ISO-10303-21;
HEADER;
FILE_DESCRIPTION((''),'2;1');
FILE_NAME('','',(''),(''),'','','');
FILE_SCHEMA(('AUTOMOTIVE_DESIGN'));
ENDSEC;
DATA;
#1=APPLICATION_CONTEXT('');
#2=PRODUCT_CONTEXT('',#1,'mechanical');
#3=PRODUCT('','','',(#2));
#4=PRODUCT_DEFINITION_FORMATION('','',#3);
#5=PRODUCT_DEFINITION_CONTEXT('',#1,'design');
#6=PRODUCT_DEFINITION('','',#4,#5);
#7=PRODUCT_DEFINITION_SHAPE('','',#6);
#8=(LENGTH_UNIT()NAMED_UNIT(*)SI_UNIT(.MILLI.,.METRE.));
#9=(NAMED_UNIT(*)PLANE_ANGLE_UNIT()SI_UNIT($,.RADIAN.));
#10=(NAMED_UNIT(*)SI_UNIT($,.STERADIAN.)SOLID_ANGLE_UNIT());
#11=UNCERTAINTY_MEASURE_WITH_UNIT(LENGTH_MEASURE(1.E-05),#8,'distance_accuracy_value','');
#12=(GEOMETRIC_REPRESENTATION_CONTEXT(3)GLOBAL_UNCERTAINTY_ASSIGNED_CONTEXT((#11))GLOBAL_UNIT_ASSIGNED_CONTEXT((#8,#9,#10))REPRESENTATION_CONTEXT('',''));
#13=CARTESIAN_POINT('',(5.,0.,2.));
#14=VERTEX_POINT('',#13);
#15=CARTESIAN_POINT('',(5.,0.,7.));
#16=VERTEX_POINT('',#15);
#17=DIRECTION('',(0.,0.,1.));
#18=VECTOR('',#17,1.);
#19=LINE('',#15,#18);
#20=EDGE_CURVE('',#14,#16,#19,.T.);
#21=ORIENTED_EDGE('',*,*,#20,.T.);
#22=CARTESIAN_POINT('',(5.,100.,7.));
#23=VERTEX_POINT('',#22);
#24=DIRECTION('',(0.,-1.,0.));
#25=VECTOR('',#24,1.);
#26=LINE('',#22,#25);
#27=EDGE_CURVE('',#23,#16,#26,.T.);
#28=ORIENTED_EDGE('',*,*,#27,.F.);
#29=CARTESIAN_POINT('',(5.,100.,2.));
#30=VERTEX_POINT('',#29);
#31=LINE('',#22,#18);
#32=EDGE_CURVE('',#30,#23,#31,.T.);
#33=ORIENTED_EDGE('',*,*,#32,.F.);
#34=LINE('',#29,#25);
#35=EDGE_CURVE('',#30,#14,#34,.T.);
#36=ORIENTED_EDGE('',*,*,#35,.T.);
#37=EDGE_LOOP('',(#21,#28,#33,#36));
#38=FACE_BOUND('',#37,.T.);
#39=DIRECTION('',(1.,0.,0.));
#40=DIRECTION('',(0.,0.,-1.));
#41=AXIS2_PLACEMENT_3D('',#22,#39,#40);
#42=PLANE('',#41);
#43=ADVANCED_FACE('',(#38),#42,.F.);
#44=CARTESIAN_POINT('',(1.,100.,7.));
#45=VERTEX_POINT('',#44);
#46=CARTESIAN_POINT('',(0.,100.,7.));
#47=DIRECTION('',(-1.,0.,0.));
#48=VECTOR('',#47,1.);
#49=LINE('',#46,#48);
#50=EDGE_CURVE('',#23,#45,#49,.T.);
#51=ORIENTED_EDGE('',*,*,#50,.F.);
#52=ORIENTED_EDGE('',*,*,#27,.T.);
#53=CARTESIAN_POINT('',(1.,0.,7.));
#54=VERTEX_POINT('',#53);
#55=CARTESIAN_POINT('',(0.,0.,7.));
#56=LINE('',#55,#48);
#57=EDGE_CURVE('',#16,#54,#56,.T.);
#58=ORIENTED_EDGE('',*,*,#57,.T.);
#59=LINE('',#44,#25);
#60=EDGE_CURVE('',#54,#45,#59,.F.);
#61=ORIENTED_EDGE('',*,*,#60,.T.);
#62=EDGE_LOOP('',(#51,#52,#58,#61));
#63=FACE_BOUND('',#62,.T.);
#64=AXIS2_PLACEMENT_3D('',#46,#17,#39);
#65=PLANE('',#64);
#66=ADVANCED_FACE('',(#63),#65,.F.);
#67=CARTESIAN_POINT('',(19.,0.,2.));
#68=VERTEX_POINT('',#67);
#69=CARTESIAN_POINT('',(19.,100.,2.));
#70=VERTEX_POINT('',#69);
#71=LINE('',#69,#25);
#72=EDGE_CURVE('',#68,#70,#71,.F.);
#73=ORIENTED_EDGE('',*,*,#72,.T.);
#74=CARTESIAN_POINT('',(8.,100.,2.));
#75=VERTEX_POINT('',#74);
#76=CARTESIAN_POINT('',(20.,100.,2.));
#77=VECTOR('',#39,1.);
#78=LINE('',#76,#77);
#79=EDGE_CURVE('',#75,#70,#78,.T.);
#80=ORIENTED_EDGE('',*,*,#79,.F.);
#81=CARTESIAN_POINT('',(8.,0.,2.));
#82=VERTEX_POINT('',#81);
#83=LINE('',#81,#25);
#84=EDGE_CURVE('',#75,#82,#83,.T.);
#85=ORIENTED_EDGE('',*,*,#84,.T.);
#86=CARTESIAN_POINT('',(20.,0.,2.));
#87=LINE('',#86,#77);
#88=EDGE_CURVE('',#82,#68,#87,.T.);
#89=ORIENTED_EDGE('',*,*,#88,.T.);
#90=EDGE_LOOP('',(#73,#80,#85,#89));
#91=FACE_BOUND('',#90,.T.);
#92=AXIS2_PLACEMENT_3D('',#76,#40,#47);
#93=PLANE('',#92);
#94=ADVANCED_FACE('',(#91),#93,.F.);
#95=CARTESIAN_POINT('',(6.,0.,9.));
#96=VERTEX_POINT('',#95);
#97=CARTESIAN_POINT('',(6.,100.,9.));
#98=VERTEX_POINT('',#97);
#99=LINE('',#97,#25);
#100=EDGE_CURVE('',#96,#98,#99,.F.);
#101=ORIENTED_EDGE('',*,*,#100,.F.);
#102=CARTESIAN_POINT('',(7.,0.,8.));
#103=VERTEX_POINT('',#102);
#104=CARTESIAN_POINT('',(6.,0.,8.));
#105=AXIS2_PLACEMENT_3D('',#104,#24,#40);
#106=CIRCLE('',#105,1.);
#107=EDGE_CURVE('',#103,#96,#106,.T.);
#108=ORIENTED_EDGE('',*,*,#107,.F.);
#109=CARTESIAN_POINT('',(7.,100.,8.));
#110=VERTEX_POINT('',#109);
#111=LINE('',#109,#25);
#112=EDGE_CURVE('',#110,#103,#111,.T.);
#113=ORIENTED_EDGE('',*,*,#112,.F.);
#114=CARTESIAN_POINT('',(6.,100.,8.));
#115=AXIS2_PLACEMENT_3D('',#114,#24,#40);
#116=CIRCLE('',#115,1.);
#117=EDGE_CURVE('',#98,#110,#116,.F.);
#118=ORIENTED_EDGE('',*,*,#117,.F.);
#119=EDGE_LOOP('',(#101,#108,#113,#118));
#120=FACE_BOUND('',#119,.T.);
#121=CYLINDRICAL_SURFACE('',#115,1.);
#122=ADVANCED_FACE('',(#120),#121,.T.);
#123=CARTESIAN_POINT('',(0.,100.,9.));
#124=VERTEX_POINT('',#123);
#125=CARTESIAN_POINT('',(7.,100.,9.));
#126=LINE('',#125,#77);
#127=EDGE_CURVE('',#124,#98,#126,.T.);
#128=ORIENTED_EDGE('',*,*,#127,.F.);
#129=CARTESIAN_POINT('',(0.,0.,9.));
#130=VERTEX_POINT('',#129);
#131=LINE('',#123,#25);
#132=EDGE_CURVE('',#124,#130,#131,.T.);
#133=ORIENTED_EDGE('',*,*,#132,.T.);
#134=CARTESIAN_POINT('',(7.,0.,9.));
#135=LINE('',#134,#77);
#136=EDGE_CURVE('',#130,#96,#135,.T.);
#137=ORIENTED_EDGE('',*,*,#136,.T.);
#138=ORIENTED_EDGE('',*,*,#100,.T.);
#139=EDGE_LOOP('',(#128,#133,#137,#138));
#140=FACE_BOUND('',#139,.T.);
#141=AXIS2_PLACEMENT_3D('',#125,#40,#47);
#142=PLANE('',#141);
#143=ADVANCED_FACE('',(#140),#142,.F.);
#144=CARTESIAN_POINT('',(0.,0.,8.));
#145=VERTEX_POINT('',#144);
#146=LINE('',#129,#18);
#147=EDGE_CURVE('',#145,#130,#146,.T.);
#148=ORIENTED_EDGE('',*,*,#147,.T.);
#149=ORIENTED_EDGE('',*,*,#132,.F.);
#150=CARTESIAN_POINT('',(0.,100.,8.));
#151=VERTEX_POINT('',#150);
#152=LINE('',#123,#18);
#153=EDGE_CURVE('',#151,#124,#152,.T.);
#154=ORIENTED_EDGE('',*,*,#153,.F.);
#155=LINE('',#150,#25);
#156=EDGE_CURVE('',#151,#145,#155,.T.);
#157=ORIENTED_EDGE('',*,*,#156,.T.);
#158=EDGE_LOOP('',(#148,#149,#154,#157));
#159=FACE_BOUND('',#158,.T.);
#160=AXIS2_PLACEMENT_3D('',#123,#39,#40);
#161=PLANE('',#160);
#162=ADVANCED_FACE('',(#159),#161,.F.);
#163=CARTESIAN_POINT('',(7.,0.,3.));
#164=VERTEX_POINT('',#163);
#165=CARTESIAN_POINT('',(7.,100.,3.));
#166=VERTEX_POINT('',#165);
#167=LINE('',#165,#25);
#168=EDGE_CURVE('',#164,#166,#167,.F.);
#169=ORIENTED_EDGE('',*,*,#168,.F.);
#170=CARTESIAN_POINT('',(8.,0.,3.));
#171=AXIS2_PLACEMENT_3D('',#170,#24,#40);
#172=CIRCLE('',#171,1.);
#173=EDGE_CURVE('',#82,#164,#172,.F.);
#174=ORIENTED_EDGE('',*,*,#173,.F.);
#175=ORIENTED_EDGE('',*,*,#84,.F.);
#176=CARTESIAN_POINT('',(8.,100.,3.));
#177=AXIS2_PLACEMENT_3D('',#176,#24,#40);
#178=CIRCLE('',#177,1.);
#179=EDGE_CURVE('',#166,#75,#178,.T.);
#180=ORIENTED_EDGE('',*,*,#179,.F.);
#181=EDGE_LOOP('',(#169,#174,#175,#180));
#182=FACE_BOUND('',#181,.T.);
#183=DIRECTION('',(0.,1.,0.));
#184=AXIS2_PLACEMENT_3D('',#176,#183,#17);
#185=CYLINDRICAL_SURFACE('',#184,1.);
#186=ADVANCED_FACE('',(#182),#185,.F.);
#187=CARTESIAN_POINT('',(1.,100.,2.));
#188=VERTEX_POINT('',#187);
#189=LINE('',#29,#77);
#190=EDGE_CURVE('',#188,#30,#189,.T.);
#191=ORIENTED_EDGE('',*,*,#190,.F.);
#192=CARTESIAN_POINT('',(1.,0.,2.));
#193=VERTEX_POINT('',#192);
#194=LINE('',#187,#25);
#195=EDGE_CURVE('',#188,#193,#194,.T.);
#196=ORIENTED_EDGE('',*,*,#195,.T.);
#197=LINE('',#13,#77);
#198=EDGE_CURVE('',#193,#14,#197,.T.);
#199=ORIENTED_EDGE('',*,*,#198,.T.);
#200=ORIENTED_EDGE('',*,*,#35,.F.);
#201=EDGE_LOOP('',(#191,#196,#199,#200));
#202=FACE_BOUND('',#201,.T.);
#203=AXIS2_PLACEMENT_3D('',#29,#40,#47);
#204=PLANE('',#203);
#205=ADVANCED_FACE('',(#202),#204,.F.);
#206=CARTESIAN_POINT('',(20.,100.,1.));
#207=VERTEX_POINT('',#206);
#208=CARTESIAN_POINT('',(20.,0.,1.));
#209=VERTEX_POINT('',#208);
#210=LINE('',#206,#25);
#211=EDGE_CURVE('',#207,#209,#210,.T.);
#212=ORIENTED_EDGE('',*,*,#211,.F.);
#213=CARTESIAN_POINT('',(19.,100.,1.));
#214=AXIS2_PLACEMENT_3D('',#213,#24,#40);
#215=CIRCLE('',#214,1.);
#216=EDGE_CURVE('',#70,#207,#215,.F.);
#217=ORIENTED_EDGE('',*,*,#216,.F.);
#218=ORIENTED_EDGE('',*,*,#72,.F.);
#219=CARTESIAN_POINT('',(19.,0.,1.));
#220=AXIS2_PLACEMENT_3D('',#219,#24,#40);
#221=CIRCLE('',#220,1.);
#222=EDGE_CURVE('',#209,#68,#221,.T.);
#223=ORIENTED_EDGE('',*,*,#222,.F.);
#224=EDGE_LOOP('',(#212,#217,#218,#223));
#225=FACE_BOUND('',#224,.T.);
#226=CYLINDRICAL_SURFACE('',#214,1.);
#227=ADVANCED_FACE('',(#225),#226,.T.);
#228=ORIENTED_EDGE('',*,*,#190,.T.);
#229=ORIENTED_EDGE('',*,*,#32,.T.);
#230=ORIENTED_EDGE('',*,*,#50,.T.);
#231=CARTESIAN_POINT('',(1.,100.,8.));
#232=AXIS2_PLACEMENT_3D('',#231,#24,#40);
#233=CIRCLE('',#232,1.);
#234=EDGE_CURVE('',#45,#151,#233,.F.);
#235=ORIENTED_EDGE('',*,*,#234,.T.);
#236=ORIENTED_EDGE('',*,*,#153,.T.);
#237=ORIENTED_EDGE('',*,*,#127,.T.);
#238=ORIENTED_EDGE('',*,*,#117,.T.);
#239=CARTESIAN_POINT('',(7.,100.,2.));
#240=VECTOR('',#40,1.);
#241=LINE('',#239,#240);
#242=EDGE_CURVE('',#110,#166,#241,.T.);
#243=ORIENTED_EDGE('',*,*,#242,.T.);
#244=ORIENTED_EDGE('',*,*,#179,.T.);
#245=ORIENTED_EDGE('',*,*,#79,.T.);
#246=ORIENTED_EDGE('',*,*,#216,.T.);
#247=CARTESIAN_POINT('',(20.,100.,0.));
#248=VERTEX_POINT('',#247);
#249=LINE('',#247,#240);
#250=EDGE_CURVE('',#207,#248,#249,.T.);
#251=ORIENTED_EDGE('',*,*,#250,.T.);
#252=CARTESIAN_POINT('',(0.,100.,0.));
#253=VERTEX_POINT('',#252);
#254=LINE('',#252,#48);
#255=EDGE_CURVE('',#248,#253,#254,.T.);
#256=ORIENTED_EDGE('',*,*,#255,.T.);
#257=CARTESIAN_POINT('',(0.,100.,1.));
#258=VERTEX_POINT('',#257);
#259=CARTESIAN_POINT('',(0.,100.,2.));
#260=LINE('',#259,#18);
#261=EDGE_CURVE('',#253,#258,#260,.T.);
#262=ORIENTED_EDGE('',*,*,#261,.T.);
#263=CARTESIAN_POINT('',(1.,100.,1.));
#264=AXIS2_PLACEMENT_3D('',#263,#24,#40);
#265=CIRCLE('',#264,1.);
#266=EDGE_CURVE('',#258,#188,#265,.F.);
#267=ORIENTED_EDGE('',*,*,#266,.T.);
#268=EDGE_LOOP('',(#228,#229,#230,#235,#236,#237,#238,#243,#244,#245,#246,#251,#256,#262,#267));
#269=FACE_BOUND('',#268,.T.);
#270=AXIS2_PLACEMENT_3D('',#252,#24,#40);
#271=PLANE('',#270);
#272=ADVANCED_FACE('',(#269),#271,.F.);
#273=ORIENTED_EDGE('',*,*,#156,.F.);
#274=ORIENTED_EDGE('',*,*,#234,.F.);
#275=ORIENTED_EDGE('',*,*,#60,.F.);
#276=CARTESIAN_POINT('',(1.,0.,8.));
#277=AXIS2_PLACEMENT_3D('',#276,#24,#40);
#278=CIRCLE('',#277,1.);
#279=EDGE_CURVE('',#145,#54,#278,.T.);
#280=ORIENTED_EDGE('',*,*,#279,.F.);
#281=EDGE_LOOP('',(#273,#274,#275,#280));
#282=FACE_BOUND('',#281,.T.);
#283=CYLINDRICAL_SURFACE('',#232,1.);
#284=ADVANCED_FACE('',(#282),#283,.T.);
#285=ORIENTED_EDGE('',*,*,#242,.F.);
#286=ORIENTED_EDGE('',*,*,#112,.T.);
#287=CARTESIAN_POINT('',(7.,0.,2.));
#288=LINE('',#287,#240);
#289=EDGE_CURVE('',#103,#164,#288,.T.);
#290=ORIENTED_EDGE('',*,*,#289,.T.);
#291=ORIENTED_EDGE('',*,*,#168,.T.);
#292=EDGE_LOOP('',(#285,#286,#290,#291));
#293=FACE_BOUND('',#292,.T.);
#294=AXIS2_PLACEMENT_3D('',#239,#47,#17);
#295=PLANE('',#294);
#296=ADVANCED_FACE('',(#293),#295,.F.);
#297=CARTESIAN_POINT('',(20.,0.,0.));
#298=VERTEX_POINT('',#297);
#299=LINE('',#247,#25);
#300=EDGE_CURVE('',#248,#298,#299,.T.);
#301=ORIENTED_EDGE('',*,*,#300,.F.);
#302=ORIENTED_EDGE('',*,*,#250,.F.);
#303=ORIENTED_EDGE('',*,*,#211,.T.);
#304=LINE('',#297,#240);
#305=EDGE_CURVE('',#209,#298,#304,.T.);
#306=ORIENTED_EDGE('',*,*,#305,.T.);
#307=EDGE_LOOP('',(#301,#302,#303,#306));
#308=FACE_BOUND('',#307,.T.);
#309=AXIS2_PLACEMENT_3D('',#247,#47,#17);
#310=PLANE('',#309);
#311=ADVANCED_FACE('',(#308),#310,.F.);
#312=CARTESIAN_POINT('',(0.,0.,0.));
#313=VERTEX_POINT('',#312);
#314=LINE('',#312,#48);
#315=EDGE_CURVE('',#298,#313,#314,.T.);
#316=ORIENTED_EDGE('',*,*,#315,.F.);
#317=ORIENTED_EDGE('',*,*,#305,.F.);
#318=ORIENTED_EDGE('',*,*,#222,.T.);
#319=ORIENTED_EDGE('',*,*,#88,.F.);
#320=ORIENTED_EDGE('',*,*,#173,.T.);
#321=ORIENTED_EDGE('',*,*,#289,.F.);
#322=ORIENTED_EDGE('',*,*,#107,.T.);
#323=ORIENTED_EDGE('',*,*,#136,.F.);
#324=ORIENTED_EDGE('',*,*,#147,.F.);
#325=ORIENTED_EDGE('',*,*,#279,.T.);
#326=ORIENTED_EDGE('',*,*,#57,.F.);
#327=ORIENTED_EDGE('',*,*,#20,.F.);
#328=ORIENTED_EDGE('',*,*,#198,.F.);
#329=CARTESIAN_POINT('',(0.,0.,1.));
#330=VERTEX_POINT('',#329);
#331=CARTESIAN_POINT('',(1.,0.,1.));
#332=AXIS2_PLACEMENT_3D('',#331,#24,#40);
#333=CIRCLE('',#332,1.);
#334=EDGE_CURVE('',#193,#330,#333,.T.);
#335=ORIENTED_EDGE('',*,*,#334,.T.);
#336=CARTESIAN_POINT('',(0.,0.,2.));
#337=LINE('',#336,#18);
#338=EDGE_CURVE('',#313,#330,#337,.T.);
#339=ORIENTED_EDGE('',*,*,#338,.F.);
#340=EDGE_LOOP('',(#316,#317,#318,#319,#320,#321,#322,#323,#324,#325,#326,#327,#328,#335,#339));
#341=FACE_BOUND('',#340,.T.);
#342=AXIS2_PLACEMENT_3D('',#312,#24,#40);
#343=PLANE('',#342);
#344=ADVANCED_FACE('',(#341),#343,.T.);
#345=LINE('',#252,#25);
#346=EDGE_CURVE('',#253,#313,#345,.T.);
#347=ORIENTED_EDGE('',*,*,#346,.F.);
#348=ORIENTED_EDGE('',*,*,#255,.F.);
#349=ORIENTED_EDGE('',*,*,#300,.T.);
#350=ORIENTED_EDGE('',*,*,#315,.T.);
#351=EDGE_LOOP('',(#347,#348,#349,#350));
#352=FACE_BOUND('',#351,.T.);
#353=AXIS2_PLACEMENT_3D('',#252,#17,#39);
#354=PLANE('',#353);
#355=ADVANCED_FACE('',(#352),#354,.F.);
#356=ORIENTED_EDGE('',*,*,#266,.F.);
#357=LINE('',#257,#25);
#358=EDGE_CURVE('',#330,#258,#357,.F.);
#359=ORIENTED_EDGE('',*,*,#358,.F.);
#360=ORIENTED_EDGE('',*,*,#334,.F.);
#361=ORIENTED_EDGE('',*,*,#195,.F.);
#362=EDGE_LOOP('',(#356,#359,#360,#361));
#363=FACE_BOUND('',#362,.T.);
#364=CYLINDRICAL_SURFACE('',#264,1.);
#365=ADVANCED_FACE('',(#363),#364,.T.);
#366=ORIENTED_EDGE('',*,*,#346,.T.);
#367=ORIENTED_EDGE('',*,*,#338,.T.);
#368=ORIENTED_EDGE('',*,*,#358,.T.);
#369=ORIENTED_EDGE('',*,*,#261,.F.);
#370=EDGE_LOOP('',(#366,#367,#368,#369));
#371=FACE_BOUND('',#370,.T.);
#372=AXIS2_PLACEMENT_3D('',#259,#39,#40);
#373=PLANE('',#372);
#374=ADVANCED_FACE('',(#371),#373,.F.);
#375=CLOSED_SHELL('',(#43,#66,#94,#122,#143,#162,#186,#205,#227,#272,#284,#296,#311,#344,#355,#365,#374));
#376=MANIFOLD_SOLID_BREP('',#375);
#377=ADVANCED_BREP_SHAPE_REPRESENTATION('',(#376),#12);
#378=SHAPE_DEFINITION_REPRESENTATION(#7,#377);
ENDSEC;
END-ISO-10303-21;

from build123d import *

# Parameters (mm, degrees)
BOSS_EXTRUDE1_DEPTH = 100
FILLET1_R           = 1


with BuildPart() as part:
    # Sketch1 → Boss-Extrude1 (new body)
    with BuildSketch(Plane(origin=(0, 0, 0), x_dir=(1, 0, 0), z_dir=(0, 1, 0))):
        Polygon((0, 0), (20, 0), (20, -2), (7, -2), (7, -9), (0, -9), (0, -7), (5, -7), (5, -2), (0, -2), align=None)
    extrude(amount=BOSS_EXTRUDE1_DEPTH)

    # Fillet1
    fillet1_edges = [part.edges().sort_by_distance(p)[0] for p in [
        (20, 50, 2),
        (7, 50, 2),
        (7, 50, 9),
        (0, 50, 7),
        (0, 50, 2),
    ]]
    fillet(fillet1_edges, radius=FILLET1_R)


solid = part.part
